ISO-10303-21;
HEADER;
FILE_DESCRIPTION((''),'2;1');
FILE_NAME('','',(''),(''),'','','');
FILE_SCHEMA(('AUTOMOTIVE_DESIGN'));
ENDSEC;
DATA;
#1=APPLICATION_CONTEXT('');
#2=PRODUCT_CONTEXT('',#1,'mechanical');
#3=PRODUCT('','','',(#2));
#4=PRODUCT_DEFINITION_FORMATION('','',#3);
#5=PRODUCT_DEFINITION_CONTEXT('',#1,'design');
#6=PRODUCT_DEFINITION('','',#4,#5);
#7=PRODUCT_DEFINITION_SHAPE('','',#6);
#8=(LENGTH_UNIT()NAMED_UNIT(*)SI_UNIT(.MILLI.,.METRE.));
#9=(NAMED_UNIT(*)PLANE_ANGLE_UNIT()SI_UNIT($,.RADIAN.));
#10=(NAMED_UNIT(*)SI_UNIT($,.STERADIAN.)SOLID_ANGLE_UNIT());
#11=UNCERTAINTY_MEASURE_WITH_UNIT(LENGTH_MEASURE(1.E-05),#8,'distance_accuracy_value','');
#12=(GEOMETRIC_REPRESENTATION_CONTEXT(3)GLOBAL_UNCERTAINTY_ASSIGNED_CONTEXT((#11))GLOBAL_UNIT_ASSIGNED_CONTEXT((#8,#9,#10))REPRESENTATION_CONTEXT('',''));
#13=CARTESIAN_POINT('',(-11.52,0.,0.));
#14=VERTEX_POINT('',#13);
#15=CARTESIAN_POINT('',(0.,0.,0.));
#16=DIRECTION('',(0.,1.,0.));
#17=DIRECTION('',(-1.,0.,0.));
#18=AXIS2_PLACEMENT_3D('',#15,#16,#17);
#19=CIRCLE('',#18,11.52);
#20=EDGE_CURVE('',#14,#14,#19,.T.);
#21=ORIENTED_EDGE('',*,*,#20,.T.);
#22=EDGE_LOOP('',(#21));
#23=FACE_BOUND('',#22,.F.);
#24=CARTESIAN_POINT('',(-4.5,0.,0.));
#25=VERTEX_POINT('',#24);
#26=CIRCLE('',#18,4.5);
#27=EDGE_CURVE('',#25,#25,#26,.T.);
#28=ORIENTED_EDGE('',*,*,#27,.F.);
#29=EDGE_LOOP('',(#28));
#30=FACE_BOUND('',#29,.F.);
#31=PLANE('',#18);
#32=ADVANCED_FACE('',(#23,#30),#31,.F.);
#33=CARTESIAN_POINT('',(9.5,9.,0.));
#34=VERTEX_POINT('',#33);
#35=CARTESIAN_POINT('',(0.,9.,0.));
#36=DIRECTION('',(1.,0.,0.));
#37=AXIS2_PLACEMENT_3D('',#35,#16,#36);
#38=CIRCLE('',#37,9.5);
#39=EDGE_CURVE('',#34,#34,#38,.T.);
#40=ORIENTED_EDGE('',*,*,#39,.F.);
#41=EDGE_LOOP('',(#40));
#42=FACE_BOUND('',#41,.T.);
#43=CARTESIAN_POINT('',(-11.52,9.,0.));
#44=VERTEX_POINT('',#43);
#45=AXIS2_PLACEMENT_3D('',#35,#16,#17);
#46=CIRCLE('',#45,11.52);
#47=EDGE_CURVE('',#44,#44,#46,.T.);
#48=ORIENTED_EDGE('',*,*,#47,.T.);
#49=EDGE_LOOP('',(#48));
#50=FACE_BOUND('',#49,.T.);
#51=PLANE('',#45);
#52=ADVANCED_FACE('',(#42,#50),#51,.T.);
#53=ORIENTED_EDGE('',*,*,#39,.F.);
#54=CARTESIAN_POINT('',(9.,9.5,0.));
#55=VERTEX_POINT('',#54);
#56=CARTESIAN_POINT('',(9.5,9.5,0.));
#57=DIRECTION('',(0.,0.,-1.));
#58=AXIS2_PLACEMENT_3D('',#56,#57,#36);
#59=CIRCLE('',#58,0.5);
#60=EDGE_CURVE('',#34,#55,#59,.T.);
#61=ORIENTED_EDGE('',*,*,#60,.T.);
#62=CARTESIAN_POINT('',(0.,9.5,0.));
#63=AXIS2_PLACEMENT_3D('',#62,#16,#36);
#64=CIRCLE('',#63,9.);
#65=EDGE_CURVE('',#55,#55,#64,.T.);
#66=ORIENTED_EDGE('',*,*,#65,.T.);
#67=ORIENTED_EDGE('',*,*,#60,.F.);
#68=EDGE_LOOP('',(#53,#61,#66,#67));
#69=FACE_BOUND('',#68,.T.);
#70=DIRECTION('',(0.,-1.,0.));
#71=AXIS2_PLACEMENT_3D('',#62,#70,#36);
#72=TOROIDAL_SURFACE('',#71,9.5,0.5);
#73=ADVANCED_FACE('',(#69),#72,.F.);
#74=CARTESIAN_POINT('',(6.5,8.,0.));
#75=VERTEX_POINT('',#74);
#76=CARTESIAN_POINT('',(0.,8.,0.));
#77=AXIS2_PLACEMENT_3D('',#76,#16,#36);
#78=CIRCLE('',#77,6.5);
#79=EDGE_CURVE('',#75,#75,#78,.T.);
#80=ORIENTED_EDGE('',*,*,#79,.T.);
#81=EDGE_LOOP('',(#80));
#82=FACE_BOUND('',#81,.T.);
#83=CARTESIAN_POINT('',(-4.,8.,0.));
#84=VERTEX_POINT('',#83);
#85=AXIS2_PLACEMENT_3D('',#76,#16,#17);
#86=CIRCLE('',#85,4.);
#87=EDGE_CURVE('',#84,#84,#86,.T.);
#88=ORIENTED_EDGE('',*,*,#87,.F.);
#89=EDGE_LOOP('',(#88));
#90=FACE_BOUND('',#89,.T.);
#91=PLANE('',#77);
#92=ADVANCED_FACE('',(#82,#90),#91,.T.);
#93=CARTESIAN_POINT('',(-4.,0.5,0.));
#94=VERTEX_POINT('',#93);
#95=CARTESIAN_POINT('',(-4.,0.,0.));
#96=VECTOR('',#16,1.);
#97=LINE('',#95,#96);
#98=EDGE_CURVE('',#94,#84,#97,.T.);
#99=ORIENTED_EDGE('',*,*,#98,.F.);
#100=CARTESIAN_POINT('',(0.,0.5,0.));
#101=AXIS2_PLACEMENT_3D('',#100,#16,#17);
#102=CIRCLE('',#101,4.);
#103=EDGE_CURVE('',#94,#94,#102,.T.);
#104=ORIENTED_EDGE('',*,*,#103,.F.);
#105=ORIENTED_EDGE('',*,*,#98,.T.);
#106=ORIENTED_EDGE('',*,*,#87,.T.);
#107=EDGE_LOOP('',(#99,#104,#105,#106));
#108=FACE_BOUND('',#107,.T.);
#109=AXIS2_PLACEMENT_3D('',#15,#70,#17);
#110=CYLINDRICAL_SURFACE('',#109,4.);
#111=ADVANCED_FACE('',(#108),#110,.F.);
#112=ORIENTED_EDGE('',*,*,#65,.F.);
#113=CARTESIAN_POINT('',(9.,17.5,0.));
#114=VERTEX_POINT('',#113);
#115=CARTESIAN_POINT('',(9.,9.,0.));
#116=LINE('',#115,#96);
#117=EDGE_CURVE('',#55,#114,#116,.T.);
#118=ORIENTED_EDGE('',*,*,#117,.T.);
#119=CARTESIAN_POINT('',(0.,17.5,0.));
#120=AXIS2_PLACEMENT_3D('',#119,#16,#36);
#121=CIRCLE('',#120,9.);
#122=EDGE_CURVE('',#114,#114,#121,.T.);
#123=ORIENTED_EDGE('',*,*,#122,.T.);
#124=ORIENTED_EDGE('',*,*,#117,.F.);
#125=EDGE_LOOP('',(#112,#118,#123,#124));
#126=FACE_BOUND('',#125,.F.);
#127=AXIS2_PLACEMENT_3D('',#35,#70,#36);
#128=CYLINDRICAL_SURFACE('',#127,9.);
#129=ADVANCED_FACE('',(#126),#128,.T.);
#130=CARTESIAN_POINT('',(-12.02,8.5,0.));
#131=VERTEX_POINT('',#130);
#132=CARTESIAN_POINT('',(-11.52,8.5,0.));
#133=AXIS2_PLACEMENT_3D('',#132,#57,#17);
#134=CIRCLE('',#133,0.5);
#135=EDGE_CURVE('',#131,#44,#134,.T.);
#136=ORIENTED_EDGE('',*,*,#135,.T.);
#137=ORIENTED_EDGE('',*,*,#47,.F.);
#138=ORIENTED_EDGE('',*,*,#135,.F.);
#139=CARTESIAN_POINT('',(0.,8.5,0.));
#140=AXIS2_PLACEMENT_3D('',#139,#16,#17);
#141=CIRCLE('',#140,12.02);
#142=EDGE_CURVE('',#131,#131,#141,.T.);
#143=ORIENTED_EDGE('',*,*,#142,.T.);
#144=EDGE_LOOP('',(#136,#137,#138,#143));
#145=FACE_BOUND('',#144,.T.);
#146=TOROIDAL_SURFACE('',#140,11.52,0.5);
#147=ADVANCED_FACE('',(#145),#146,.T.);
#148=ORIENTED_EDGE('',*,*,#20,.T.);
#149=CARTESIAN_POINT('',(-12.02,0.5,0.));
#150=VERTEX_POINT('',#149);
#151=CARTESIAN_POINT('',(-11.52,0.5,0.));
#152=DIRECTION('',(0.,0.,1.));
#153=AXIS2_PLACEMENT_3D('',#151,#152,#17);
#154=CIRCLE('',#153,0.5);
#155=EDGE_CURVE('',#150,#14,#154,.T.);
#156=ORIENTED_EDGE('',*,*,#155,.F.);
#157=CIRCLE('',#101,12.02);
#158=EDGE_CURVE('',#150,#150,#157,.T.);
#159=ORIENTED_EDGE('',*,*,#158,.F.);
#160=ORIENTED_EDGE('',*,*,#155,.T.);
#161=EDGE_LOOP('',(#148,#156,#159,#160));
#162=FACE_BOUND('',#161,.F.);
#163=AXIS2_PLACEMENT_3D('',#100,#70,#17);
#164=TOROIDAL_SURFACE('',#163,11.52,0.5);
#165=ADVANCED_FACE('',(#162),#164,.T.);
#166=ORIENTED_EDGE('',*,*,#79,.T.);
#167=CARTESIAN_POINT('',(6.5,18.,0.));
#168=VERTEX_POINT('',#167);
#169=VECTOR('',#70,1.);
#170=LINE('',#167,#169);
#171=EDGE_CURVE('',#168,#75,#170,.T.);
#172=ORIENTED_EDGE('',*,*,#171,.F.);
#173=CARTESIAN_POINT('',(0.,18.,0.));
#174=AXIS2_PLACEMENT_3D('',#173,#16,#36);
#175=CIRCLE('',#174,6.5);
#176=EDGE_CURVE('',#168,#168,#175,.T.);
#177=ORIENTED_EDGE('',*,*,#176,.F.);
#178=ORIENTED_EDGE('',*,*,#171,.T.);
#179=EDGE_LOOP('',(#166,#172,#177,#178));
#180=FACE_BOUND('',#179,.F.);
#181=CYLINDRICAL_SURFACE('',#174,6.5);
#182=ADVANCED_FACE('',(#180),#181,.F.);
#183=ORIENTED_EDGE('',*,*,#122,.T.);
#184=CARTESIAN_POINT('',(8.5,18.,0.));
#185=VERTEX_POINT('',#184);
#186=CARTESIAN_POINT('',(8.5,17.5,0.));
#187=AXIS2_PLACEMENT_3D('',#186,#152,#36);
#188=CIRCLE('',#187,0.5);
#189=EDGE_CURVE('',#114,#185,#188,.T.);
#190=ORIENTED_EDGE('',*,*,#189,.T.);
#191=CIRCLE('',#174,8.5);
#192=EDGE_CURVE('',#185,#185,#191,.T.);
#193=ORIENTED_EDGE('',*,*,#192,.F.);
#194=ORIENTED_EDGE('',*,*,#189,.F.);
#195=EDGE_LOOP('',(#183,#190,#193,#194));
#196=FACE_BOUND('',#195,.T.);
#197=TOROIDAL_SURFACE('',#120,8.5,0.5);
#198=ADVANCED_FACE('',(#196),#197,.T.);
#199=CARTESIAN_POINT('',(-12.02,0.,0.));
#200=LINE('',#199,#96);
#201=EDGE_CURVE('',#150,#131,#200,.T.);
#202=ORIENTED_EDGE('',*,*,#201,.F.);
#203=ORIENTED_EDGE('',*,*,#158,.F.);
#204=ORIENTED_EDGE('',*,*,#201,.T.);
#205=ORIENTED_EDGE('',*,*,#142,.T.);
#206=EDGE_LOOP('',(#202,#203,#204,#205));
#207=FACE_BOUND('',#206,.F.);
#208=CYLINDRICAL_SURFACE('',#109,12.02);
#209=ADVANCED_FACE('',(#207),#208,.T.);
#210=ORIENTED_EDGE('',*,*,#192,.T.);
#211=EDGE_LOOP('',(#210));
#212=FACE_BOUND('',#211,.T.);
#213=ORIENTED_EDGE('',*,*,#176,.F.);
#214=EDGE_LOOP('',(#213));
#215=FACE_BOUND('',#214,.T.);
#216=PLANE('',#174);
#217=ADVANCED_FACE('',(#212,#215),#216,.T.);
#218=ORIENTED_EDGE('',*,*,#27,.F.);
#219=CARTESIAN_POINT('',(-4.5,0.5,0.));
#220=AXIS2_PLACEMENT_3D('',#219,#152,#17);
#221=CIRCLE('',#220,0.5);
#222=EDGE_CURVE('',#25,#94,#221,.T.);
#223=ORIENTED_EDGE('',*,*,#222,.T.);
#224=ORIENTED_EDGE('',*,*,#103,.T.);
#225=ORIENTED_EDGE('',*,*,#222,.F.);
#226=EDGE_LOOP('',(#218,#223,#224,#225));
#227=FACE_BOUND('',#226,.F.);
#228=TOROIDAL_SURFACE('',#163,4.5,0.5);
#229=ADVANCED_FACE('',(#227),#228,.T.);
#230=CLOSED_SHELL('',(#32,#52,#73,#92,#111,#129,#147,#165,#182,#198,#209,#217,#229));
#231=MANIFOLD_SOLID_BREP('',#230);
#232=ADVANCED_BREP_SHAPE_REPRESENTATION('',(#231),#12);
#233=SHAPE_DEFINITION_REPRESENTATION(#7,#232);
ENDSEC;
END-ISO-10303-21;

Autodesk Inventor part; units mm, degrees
ref_plane "YZ Plane" through (0, 0, 0) normal (1, 0, 0) x (0, 1, 0)
ref_plane "XZ Plane" through (0, 0, 0) normal (0, 1, 0) x (-1, 0, 0)
ref_plane "XY Plane" through (0, 0, 0) normal (0, 0, 1) x (1, 0, 0)
sketch "Sketch1" plane through (0, 0, 0) normal (0, 1, 0) x (-1, 0, 0)
  circle A0 centre (0, 0) radius 12.02
  circle A1 centre (0, 0) radius 4
  dimension "d0" = 24.04
  dimension "d1" = 8
extrude "Extrusion1" add sketch "Sketch1" along normal blind 9
sketch "Sketch2" plane through (0, 9, 0) normal (0, 1, 0) x (1, 0, 0)
  circle A0 centre (0, 0) radius 4
  circle A1 centre (0, 0) radius 9
  circle A2 centre (0, 0) radius 4 projected
  dimension "d4" = 18
extrude "Extrusion2" add sketch "Sketch2" along normal blind 9
sketch "Sketch3" plane through (0, 18, 0) normal (0, 1, 0) x (1, 0, 0)
  circle A0 centre (0, 0) radius 6.5
  dimension "d7" = 13
extrude "Extrusion3" cut sketch "Sketch3" against normal blind 10
fillet "Fillet1" radius 0.5 5 edges at (4, 0, 0) (12.02, 0, 0) (12.02, 9, 0) (-9, 9, 0) (-9, 18, 0)
properties part number "Z-Zahnrad"
